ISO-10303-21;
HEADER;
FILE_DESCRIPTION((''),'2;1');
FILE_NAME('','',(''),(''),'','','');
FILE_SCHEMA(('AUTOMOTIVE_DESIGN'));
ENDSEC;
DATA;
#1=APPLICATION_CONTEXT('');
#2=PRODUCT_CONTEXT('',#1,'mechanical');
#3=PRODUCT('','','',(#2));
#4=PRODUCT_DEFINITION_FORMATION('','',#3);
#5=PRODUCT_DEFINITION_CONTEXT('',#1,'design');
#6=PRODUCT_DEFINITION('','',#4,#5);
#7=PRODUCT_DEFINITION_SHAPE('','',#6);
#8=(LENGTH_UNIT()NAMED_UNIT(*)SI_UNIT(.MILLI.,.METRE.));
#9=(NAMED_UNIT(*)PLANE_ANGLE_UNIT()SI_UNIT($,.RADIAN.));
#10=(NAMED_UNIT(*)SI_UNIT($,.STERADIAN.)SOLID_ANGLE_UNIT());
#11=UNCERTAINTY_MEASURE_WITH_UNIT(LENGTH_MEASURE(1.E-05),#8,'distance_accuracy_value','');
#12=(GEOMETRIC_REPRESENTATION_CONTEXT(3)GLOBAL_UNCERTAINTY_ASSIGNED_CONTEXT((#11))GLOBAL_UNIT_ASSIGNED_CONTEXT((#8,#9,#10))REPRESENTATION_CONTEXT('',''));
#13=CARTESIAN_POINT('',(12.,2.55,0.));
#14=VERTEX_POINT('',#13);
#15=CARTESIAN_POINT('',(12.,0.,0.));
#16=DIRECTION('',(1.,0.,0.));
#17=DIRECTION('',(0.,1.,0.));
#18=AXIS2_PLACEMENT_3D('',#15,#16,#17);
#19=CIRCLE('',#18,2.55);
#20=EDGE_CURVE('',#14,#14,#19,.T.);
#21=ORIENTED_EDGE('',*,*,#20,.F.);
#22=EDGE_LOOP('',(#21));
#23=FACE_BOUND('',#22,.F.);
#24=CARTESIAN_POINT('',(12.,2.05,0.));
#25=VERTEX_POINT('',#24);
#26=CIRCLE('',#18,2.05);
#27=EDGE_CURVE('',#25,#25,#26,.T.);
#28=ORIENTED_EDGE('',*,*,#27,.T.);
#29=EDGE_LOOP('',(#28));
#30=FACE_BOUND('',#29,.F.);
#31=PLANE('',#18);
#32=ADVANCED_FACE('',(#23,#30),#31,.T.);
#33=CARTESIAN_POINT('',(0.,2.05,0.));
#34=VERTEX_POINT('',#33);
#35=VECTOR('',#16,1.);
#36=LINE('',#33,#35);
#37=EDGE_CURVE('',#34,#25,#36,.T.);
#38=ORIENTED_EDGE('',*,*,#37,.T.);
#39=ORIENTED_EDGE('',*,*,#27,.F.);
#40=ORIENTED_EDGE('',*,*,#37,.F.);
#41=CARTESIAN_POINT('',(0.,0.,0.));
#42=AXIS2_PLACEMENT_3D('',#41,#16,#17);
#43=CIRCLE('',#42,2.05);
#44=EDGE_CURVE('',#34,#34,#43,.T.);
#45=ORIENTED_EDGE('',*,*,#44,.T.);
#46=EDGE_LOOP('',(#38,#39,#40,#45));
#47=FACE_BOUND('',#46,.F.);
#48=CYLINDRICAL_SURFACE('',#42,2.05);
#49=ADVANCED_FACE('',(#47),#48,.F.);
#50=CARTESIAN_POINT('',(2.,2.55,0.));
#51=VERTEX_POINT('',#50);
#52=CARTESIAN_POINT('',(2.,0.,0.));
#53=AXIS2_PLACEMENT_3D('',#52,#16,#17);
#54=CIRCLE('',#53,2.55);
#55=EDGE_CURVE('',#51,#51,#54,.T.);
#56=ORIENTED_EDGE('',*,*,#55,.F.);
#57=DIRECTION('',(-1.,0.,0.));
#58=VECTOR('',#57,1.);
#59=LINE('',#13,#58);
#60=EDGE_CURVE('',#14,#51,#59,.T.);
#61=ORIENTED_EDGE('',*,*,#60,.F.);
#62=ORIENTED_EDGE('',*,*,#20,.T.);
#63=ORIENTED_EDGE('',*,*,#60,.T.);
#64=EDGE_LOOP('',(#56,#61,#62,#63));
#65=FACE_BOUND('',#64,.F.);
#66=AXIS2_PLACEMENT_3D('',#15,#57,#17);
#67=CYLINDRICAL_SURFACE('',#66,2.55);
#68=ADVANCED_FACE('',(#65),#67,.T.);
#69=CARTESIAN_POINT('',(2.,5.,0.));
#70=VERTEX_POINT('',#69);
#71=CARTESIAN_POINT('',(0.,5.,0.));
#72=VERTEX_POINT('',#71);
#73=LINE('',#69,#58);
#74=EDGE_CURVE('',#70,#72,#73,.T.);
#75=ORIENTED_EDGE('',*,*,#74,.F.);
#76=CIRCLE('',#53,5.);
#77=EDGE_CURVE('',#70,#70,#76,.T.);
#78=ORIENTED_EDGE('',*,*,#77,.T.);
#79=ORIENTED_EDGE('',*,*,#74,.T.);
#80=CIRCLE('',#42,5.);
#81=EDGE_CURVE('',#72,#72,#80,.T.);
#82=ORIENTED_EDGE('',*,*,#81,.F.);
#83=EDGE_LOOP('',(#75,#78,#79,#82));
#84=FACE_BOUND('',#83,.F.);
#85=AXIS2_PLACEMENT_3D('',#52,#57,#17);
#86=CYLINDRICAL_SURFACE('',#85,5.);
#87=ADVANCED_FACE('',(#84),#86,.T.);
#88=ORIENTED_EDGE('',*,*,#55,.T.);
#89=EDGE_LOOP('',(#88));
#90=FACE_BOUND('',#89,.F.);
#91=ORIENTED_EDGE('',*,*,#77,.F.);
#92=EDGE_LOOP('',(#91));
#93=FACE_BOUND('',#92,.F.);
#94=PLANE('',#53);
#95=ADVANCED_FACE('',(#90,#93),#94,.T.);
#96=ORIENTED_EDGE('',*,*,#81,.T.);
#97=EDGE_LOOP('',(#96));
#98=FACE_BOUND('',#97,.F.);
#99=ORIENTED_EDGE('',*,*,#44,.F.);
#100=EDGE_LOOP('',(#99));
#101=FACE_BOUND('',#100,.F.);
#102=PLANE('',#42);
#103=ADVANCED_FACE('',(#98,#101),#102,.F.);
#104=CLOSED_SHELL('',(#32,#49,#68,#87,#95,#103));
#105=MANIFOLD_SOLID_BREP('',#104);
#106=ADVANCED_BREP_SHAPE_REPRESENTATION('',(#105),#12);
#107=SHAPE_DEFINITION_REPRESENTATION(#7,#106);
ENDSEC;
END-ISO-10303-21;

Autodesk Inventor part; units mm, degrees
ref_plane "YZ Plane" through (0, 0, 0) normal (1, 0, 0) x (0, 1, 0)
ref_plane "XZ Plane" through (0, 0, 0) normal (0, 1, 0) x (-1, 0, 0)
ref_plane "XY Plane" through (0, 0, 0) normal (0, 0, 1) x (1, 0, 0)
sketch "Sketch1" plane through (0, 0, 0) normal (0, 0, 1) x (1, 0, 0)
  line L0 (0, 6) -> (0, -1) construction
  line L1 (-2.4, 0) -> (14.4, 0) construction
  line L2 (0, 5) -> (0, 2.05)
  line L3 (0, 2.05) -> (12, 2.05)
  line L4 (12, 2.05) -> (12, 2.55)
  line L5 (12, 2.55) -> (2, 2.55)
  line L6 (2, 2.55) -> (2, 5)
  line L7 (2, 5) -> (0, 5)
  point P0 (0, 0)
  dimension "d0" = 5
  dimension "d1" = 2.05
  dimension "d2" = 2.55
  dimension "d3" = 12
  dimension "d4" = 10
revolve "Revolution1" add sketch "Sketch1" angle 360 about axis through (0, 0, 0) along (1, 0, 0)
properties part number "17-0028-0026" material "Nylon Composite (Nylon, molybdenum disulphide)"
